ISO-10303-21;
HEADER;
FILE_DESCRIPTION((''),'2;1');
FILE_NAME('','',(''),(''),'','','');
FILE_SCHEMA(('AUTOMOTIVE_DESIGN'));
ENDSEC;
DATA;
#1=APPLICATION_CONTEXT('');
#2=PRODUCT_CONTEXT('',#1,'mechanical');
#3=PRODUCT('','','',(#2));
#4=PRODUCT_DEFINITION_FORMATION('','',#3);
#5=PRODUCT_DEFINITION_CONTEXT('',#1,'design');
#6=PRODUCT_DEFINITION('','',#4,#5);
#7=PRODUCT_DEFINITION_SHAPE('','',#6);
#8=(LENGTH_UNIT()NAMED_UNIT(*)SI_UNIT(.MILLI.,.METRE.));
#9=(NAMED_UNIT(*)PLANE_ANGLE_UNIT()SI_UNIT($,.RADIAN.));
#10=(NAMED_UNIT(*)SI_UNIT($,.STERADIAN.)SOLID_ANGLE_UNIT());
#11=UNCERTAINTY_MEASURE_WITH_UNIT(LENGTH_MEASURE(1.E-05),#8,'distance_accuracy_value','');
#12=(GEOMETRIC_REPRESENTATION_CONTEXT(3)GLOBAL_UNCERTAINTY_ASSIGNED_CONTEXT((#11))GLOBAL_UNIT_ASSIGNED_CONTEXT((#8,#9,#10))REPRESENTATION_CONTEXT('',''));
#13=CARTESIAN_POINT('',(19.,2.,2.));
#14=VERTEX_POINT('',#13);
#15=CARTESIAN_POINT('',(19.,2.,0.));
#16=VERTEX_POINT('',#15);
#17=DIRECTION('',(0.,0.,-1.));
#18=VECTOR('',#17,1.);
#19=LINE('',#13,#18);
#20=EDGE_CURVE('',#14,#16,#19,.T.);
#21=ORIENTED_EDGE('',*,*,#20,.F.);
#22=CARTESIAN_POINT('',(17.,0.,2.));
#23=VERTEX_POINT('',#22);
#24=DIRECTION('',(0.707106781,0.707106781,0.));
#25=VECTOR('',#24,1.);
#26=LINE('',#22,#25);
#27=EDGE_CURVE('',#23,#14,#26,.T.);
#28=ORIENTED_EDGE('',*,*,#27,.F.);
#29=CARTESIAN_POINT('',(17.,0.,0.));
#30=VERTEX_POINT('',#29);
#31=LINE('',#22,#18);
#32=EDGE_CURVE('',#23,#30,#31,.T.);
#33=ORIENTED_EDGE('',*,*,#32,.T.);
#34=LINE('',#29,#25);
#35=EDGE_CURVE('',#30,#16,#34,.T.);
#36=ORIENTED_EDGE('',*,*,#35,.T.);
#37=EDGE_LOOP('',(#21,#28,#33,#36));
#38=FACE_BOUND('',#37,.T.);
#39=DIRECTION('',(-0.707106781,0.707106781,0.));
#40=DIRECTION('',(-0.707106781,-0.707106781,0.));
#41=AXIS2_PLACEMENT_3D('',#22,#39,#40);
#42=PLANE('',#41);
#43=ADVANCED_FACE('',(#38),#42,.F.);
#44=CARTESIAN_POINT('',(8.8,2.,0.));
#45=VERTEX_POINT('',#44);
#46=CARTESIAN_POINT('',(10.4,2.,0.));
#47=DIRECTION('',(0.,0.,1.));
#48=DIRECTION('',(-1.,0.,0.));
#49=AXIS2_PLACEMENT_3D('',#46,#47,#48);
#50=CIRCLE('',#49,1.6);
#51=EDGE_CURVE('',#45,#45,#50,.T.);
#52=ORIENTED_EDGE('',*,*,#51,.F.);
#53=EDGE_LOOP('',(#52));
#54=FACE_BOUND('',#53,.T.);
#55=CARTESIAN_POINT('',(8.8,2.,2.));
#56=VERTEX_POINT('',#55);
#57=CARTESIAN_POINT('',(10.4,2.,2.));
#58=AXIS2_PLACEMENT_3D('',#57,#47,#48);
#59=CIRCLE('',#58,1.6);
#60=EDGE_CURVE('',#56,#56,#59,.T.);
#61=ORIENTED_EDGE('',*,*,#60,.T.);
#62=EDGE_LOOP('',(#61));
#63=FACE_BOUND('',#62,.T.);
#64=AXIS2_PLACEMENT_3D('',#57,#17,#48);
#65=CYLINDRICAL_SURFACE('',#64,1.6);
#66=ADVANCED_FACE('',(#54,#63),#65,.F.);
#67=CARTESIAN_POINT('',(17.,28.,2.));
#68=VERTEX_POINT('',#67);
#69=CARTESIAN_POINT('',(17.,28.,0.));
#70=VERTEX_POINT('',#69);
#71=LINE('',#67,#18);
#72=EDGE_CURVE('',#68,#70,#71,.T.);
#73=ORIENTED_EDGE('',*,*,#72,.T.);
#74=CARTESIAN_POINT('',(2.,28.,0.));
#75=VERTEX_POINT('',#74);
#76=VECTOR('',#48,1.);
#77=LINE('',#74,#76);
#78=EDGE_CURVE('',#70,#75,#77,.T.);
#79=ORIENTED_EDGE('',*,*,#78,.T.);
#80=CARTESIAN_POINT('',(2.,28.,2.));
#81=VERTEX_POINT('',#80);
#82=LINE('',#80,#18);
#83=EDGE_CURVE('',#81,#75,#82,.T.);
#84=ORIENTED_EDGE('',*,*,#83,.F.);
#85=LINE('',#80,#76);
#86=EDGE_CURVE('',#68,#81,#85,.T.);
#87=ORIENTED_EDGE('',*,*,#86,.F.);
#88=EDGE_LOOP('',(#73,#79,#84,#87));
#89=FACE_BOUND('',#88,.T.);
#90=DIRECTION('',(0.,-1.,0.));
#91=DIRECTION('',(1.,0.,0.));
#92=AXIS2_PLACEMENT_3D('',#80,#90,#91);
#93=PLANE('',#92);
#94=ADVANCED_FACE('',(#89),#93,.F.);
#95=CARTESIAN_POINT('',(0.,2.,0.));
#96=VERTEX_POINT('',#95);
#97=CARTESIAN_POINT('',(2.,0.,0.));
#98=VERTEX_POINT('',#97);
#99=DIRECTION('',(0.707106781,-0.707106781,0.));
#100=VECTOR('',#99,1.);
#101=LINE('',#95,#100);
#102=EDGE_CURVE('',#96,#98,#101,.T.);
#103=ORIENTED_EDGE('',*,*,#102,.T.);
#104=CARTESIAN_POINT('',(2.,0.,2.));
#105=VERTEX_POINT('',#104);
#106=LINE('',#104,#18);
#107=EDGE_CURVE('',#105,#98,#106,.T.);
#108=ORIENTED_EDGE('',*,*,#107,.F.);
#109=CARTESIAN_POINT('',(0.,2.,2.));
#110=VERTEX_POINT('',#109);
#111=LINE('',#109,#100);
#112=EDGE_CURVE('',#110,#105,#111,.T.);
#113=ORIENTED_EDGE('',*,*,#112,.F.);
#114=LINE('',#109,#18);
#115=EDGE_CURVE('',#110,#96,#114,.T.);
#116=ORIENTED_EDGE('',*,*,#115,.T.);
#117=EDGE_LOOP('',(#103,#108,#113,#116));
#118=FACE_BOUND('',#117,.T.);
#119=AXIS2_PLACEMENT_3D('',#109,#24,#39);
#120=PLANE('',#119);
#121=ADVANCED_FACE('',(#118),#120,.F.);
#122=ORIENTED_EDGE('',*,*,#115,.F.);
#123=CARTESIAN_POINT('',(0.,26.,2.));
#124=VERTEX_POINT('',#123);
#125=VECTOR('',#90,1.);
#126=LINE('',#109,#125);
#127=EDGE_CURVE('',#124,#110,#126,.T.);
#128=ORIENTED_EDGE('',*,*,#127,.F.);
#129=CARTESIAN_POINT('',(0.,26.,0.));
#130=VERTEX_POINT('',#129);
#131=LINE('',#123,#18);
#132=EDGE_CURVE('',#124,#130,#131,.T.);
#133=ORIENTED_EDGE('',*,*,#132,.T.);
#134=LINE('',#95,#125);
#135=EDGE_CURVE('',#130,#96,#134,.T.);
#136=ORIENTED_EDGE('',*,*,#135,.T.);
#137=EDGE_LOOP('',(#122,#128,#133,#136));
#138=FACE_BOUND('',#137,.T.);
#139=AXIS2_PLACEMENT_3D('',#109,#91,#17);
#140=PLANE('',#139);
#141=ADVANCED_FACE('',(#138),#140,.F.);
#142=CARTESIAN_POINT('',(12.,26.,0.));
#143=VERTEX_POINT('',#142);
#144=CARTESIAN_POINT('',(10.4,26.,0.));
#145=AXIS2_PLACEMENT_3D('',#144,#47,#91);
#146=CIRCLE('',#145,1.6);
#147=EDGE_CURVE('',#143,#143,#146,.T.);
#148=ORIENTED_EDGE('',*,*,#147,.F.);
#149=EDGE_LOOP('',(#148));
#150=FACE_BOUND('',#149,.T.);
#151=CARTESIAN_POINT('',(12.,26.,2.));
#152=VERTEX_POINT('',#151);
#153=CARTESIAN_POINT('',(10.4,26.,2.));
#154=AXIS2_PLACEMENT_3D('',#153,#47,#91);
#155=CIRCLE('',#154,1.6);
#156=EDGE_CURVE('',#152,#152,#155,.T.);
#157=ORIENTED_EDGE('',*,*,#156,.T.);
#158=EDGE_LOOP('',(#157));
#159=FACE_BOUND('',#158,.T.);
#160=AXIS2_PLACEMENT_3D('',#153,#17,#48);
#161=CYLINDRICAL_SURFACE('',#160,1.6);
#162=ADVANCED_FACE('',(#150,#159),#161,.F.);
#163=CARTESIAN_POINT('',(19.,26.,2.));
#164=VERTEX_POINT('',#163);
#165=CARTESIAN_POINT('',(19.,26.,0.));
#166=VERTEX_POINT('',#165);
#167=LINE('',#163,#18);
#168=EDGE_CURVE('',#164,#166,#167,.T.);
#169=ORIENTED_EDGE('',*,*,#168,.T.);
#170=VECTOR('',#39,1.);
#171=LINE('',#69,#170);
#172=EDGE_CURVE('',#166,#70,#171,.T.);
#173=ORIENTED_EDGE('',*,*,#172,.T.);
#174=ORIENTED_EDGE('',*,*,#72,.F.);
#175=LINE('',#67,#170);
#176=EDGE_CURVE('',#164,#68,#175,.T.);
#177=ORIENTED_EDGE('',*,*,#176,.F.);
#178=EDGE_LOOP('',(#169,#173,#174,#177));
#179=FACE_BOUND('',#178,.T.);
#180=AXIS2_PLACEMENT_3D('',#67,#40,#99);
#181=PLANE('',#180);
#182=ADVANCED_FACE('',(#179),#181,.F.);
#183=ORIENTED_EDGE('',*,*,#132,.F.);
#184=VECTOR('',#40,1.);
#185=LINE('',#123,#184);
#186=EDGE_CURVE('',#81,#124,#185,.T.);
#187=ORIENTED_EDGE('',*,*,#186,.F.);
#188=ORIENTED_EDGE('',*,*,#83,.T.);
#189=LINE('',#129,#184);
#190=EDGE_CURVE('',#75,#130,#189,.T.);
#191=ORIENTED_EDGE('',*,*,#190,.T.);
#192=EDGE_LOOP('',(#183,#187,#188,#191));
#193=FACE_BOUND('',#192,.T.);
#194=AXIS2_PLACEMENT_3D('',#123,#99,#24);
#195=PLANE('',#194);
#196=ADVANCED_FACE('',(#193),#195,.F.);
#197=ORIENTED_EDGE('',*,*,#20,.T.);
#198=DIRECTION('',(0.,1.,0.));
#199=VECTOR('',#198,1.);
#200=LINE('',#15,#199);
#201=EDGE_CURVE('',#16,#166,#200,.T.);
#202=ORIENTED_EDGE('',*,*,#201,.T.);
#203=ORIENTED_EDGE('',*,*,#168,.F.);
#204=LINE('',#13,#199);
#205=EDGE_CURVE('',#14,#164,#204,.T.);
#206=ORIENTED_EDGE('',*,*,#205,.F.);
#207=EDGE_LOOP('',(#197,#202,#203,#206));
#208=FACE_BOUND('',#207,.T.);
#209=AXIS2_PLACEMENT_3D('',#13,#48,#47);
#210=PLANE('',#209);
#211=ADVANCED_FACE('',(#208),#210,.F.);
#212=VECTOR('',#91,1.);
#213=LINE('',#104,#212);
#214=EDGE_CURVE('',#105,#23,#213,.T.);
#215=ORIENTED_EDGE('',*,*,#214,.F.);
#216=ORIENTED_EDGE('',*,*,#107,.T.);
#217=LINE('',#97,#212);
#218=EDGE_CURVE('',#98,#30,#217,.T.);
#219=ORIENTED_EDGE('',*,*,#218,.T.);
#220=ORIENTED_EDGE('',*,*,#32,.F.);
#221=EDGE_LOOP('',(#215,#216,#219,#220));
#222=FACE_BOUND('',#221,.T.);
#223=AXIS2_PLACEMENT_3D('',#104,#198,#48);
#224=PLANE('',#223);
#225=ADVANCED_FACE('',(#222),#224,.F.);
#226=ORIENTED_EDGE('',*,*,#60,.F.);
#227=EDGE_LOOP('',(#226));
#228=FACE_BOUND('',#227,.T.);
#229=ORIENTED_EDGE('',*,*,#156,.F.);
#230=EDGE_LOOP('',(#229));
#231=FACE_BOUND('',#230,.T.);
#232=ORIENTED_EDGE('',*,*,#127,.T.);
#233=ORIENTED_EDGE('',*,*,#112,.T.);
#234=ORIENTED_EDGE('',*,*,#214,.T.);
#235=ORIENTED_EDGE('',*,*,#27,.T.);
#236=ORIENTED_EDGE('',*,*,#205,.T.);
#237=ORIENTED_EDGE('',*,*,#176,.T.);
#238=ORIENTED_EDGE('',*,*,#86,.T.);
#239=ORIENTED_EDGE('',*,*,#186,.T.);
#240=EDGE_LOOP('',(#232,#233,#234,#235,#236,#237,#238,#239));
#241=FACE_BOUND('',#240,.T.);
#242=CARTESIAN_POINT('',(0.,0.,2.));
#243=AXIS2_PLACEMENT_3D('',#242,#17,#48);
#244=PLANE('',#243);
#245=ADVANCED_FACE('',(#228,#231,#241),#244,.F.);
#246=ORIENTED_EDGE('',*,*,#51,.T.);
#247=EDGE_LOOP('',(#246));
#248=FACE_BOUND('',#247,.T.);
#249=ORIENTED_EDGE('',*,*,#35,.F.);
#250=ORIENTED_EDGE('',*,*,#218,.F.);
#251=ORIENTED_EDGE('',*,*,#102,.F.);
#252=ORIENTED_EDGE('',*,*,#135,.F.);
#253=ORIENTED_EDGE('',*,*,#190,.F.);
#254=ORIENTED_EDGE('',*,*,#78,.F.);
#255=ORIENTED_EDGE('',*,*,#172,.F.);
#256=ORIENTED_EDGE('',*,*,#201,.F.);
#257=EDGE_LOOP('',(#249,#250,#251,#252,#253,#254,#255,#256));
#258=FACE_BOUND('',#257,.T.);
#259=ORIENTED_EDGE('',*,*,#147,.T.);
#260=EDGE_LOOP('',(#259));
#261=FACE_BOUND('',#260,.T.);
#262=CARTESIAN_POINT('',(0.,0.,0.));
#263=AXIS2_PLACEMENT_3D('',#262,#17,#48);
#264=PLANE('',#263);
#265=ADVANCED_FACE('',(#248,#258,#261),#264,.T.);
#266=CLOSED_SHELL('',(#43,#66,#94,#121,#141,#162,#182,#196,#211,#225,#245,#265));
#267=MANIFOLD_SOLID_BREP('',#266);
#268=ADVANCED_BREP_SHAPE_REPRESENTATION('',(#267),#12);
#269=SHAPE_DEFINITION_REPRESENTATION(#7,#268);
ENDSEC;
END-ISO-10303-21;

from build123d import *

# Parameters (mm, degrees)
SKETCH2_R           = 1.6
BOSS_EXTRUDE1_DEPTH = 2


with BuildPart() as part:
    # Sketch2 → Boss-Extrude1 (new body)
    with BuildSketch(Plane.XY):
        Polygon((2, 0), (17, 0), (19, 2), (19, 26), (17, 28), (2, 28), (0, 26), (0, 2), align=None)
        with Locations((10.4, 26)):
            Circle(SKETCH2_R, mode=Mode.SUBTRACT)
        with Locations(Location((10.4, 2, 0), (0, 0, 180))):
            Circle(SKETCH2_R, mode=Mode.SUBTRACT)
    extrude(amount=BOSS_EXTRUDE1_DEPTH)


solid = part.part
